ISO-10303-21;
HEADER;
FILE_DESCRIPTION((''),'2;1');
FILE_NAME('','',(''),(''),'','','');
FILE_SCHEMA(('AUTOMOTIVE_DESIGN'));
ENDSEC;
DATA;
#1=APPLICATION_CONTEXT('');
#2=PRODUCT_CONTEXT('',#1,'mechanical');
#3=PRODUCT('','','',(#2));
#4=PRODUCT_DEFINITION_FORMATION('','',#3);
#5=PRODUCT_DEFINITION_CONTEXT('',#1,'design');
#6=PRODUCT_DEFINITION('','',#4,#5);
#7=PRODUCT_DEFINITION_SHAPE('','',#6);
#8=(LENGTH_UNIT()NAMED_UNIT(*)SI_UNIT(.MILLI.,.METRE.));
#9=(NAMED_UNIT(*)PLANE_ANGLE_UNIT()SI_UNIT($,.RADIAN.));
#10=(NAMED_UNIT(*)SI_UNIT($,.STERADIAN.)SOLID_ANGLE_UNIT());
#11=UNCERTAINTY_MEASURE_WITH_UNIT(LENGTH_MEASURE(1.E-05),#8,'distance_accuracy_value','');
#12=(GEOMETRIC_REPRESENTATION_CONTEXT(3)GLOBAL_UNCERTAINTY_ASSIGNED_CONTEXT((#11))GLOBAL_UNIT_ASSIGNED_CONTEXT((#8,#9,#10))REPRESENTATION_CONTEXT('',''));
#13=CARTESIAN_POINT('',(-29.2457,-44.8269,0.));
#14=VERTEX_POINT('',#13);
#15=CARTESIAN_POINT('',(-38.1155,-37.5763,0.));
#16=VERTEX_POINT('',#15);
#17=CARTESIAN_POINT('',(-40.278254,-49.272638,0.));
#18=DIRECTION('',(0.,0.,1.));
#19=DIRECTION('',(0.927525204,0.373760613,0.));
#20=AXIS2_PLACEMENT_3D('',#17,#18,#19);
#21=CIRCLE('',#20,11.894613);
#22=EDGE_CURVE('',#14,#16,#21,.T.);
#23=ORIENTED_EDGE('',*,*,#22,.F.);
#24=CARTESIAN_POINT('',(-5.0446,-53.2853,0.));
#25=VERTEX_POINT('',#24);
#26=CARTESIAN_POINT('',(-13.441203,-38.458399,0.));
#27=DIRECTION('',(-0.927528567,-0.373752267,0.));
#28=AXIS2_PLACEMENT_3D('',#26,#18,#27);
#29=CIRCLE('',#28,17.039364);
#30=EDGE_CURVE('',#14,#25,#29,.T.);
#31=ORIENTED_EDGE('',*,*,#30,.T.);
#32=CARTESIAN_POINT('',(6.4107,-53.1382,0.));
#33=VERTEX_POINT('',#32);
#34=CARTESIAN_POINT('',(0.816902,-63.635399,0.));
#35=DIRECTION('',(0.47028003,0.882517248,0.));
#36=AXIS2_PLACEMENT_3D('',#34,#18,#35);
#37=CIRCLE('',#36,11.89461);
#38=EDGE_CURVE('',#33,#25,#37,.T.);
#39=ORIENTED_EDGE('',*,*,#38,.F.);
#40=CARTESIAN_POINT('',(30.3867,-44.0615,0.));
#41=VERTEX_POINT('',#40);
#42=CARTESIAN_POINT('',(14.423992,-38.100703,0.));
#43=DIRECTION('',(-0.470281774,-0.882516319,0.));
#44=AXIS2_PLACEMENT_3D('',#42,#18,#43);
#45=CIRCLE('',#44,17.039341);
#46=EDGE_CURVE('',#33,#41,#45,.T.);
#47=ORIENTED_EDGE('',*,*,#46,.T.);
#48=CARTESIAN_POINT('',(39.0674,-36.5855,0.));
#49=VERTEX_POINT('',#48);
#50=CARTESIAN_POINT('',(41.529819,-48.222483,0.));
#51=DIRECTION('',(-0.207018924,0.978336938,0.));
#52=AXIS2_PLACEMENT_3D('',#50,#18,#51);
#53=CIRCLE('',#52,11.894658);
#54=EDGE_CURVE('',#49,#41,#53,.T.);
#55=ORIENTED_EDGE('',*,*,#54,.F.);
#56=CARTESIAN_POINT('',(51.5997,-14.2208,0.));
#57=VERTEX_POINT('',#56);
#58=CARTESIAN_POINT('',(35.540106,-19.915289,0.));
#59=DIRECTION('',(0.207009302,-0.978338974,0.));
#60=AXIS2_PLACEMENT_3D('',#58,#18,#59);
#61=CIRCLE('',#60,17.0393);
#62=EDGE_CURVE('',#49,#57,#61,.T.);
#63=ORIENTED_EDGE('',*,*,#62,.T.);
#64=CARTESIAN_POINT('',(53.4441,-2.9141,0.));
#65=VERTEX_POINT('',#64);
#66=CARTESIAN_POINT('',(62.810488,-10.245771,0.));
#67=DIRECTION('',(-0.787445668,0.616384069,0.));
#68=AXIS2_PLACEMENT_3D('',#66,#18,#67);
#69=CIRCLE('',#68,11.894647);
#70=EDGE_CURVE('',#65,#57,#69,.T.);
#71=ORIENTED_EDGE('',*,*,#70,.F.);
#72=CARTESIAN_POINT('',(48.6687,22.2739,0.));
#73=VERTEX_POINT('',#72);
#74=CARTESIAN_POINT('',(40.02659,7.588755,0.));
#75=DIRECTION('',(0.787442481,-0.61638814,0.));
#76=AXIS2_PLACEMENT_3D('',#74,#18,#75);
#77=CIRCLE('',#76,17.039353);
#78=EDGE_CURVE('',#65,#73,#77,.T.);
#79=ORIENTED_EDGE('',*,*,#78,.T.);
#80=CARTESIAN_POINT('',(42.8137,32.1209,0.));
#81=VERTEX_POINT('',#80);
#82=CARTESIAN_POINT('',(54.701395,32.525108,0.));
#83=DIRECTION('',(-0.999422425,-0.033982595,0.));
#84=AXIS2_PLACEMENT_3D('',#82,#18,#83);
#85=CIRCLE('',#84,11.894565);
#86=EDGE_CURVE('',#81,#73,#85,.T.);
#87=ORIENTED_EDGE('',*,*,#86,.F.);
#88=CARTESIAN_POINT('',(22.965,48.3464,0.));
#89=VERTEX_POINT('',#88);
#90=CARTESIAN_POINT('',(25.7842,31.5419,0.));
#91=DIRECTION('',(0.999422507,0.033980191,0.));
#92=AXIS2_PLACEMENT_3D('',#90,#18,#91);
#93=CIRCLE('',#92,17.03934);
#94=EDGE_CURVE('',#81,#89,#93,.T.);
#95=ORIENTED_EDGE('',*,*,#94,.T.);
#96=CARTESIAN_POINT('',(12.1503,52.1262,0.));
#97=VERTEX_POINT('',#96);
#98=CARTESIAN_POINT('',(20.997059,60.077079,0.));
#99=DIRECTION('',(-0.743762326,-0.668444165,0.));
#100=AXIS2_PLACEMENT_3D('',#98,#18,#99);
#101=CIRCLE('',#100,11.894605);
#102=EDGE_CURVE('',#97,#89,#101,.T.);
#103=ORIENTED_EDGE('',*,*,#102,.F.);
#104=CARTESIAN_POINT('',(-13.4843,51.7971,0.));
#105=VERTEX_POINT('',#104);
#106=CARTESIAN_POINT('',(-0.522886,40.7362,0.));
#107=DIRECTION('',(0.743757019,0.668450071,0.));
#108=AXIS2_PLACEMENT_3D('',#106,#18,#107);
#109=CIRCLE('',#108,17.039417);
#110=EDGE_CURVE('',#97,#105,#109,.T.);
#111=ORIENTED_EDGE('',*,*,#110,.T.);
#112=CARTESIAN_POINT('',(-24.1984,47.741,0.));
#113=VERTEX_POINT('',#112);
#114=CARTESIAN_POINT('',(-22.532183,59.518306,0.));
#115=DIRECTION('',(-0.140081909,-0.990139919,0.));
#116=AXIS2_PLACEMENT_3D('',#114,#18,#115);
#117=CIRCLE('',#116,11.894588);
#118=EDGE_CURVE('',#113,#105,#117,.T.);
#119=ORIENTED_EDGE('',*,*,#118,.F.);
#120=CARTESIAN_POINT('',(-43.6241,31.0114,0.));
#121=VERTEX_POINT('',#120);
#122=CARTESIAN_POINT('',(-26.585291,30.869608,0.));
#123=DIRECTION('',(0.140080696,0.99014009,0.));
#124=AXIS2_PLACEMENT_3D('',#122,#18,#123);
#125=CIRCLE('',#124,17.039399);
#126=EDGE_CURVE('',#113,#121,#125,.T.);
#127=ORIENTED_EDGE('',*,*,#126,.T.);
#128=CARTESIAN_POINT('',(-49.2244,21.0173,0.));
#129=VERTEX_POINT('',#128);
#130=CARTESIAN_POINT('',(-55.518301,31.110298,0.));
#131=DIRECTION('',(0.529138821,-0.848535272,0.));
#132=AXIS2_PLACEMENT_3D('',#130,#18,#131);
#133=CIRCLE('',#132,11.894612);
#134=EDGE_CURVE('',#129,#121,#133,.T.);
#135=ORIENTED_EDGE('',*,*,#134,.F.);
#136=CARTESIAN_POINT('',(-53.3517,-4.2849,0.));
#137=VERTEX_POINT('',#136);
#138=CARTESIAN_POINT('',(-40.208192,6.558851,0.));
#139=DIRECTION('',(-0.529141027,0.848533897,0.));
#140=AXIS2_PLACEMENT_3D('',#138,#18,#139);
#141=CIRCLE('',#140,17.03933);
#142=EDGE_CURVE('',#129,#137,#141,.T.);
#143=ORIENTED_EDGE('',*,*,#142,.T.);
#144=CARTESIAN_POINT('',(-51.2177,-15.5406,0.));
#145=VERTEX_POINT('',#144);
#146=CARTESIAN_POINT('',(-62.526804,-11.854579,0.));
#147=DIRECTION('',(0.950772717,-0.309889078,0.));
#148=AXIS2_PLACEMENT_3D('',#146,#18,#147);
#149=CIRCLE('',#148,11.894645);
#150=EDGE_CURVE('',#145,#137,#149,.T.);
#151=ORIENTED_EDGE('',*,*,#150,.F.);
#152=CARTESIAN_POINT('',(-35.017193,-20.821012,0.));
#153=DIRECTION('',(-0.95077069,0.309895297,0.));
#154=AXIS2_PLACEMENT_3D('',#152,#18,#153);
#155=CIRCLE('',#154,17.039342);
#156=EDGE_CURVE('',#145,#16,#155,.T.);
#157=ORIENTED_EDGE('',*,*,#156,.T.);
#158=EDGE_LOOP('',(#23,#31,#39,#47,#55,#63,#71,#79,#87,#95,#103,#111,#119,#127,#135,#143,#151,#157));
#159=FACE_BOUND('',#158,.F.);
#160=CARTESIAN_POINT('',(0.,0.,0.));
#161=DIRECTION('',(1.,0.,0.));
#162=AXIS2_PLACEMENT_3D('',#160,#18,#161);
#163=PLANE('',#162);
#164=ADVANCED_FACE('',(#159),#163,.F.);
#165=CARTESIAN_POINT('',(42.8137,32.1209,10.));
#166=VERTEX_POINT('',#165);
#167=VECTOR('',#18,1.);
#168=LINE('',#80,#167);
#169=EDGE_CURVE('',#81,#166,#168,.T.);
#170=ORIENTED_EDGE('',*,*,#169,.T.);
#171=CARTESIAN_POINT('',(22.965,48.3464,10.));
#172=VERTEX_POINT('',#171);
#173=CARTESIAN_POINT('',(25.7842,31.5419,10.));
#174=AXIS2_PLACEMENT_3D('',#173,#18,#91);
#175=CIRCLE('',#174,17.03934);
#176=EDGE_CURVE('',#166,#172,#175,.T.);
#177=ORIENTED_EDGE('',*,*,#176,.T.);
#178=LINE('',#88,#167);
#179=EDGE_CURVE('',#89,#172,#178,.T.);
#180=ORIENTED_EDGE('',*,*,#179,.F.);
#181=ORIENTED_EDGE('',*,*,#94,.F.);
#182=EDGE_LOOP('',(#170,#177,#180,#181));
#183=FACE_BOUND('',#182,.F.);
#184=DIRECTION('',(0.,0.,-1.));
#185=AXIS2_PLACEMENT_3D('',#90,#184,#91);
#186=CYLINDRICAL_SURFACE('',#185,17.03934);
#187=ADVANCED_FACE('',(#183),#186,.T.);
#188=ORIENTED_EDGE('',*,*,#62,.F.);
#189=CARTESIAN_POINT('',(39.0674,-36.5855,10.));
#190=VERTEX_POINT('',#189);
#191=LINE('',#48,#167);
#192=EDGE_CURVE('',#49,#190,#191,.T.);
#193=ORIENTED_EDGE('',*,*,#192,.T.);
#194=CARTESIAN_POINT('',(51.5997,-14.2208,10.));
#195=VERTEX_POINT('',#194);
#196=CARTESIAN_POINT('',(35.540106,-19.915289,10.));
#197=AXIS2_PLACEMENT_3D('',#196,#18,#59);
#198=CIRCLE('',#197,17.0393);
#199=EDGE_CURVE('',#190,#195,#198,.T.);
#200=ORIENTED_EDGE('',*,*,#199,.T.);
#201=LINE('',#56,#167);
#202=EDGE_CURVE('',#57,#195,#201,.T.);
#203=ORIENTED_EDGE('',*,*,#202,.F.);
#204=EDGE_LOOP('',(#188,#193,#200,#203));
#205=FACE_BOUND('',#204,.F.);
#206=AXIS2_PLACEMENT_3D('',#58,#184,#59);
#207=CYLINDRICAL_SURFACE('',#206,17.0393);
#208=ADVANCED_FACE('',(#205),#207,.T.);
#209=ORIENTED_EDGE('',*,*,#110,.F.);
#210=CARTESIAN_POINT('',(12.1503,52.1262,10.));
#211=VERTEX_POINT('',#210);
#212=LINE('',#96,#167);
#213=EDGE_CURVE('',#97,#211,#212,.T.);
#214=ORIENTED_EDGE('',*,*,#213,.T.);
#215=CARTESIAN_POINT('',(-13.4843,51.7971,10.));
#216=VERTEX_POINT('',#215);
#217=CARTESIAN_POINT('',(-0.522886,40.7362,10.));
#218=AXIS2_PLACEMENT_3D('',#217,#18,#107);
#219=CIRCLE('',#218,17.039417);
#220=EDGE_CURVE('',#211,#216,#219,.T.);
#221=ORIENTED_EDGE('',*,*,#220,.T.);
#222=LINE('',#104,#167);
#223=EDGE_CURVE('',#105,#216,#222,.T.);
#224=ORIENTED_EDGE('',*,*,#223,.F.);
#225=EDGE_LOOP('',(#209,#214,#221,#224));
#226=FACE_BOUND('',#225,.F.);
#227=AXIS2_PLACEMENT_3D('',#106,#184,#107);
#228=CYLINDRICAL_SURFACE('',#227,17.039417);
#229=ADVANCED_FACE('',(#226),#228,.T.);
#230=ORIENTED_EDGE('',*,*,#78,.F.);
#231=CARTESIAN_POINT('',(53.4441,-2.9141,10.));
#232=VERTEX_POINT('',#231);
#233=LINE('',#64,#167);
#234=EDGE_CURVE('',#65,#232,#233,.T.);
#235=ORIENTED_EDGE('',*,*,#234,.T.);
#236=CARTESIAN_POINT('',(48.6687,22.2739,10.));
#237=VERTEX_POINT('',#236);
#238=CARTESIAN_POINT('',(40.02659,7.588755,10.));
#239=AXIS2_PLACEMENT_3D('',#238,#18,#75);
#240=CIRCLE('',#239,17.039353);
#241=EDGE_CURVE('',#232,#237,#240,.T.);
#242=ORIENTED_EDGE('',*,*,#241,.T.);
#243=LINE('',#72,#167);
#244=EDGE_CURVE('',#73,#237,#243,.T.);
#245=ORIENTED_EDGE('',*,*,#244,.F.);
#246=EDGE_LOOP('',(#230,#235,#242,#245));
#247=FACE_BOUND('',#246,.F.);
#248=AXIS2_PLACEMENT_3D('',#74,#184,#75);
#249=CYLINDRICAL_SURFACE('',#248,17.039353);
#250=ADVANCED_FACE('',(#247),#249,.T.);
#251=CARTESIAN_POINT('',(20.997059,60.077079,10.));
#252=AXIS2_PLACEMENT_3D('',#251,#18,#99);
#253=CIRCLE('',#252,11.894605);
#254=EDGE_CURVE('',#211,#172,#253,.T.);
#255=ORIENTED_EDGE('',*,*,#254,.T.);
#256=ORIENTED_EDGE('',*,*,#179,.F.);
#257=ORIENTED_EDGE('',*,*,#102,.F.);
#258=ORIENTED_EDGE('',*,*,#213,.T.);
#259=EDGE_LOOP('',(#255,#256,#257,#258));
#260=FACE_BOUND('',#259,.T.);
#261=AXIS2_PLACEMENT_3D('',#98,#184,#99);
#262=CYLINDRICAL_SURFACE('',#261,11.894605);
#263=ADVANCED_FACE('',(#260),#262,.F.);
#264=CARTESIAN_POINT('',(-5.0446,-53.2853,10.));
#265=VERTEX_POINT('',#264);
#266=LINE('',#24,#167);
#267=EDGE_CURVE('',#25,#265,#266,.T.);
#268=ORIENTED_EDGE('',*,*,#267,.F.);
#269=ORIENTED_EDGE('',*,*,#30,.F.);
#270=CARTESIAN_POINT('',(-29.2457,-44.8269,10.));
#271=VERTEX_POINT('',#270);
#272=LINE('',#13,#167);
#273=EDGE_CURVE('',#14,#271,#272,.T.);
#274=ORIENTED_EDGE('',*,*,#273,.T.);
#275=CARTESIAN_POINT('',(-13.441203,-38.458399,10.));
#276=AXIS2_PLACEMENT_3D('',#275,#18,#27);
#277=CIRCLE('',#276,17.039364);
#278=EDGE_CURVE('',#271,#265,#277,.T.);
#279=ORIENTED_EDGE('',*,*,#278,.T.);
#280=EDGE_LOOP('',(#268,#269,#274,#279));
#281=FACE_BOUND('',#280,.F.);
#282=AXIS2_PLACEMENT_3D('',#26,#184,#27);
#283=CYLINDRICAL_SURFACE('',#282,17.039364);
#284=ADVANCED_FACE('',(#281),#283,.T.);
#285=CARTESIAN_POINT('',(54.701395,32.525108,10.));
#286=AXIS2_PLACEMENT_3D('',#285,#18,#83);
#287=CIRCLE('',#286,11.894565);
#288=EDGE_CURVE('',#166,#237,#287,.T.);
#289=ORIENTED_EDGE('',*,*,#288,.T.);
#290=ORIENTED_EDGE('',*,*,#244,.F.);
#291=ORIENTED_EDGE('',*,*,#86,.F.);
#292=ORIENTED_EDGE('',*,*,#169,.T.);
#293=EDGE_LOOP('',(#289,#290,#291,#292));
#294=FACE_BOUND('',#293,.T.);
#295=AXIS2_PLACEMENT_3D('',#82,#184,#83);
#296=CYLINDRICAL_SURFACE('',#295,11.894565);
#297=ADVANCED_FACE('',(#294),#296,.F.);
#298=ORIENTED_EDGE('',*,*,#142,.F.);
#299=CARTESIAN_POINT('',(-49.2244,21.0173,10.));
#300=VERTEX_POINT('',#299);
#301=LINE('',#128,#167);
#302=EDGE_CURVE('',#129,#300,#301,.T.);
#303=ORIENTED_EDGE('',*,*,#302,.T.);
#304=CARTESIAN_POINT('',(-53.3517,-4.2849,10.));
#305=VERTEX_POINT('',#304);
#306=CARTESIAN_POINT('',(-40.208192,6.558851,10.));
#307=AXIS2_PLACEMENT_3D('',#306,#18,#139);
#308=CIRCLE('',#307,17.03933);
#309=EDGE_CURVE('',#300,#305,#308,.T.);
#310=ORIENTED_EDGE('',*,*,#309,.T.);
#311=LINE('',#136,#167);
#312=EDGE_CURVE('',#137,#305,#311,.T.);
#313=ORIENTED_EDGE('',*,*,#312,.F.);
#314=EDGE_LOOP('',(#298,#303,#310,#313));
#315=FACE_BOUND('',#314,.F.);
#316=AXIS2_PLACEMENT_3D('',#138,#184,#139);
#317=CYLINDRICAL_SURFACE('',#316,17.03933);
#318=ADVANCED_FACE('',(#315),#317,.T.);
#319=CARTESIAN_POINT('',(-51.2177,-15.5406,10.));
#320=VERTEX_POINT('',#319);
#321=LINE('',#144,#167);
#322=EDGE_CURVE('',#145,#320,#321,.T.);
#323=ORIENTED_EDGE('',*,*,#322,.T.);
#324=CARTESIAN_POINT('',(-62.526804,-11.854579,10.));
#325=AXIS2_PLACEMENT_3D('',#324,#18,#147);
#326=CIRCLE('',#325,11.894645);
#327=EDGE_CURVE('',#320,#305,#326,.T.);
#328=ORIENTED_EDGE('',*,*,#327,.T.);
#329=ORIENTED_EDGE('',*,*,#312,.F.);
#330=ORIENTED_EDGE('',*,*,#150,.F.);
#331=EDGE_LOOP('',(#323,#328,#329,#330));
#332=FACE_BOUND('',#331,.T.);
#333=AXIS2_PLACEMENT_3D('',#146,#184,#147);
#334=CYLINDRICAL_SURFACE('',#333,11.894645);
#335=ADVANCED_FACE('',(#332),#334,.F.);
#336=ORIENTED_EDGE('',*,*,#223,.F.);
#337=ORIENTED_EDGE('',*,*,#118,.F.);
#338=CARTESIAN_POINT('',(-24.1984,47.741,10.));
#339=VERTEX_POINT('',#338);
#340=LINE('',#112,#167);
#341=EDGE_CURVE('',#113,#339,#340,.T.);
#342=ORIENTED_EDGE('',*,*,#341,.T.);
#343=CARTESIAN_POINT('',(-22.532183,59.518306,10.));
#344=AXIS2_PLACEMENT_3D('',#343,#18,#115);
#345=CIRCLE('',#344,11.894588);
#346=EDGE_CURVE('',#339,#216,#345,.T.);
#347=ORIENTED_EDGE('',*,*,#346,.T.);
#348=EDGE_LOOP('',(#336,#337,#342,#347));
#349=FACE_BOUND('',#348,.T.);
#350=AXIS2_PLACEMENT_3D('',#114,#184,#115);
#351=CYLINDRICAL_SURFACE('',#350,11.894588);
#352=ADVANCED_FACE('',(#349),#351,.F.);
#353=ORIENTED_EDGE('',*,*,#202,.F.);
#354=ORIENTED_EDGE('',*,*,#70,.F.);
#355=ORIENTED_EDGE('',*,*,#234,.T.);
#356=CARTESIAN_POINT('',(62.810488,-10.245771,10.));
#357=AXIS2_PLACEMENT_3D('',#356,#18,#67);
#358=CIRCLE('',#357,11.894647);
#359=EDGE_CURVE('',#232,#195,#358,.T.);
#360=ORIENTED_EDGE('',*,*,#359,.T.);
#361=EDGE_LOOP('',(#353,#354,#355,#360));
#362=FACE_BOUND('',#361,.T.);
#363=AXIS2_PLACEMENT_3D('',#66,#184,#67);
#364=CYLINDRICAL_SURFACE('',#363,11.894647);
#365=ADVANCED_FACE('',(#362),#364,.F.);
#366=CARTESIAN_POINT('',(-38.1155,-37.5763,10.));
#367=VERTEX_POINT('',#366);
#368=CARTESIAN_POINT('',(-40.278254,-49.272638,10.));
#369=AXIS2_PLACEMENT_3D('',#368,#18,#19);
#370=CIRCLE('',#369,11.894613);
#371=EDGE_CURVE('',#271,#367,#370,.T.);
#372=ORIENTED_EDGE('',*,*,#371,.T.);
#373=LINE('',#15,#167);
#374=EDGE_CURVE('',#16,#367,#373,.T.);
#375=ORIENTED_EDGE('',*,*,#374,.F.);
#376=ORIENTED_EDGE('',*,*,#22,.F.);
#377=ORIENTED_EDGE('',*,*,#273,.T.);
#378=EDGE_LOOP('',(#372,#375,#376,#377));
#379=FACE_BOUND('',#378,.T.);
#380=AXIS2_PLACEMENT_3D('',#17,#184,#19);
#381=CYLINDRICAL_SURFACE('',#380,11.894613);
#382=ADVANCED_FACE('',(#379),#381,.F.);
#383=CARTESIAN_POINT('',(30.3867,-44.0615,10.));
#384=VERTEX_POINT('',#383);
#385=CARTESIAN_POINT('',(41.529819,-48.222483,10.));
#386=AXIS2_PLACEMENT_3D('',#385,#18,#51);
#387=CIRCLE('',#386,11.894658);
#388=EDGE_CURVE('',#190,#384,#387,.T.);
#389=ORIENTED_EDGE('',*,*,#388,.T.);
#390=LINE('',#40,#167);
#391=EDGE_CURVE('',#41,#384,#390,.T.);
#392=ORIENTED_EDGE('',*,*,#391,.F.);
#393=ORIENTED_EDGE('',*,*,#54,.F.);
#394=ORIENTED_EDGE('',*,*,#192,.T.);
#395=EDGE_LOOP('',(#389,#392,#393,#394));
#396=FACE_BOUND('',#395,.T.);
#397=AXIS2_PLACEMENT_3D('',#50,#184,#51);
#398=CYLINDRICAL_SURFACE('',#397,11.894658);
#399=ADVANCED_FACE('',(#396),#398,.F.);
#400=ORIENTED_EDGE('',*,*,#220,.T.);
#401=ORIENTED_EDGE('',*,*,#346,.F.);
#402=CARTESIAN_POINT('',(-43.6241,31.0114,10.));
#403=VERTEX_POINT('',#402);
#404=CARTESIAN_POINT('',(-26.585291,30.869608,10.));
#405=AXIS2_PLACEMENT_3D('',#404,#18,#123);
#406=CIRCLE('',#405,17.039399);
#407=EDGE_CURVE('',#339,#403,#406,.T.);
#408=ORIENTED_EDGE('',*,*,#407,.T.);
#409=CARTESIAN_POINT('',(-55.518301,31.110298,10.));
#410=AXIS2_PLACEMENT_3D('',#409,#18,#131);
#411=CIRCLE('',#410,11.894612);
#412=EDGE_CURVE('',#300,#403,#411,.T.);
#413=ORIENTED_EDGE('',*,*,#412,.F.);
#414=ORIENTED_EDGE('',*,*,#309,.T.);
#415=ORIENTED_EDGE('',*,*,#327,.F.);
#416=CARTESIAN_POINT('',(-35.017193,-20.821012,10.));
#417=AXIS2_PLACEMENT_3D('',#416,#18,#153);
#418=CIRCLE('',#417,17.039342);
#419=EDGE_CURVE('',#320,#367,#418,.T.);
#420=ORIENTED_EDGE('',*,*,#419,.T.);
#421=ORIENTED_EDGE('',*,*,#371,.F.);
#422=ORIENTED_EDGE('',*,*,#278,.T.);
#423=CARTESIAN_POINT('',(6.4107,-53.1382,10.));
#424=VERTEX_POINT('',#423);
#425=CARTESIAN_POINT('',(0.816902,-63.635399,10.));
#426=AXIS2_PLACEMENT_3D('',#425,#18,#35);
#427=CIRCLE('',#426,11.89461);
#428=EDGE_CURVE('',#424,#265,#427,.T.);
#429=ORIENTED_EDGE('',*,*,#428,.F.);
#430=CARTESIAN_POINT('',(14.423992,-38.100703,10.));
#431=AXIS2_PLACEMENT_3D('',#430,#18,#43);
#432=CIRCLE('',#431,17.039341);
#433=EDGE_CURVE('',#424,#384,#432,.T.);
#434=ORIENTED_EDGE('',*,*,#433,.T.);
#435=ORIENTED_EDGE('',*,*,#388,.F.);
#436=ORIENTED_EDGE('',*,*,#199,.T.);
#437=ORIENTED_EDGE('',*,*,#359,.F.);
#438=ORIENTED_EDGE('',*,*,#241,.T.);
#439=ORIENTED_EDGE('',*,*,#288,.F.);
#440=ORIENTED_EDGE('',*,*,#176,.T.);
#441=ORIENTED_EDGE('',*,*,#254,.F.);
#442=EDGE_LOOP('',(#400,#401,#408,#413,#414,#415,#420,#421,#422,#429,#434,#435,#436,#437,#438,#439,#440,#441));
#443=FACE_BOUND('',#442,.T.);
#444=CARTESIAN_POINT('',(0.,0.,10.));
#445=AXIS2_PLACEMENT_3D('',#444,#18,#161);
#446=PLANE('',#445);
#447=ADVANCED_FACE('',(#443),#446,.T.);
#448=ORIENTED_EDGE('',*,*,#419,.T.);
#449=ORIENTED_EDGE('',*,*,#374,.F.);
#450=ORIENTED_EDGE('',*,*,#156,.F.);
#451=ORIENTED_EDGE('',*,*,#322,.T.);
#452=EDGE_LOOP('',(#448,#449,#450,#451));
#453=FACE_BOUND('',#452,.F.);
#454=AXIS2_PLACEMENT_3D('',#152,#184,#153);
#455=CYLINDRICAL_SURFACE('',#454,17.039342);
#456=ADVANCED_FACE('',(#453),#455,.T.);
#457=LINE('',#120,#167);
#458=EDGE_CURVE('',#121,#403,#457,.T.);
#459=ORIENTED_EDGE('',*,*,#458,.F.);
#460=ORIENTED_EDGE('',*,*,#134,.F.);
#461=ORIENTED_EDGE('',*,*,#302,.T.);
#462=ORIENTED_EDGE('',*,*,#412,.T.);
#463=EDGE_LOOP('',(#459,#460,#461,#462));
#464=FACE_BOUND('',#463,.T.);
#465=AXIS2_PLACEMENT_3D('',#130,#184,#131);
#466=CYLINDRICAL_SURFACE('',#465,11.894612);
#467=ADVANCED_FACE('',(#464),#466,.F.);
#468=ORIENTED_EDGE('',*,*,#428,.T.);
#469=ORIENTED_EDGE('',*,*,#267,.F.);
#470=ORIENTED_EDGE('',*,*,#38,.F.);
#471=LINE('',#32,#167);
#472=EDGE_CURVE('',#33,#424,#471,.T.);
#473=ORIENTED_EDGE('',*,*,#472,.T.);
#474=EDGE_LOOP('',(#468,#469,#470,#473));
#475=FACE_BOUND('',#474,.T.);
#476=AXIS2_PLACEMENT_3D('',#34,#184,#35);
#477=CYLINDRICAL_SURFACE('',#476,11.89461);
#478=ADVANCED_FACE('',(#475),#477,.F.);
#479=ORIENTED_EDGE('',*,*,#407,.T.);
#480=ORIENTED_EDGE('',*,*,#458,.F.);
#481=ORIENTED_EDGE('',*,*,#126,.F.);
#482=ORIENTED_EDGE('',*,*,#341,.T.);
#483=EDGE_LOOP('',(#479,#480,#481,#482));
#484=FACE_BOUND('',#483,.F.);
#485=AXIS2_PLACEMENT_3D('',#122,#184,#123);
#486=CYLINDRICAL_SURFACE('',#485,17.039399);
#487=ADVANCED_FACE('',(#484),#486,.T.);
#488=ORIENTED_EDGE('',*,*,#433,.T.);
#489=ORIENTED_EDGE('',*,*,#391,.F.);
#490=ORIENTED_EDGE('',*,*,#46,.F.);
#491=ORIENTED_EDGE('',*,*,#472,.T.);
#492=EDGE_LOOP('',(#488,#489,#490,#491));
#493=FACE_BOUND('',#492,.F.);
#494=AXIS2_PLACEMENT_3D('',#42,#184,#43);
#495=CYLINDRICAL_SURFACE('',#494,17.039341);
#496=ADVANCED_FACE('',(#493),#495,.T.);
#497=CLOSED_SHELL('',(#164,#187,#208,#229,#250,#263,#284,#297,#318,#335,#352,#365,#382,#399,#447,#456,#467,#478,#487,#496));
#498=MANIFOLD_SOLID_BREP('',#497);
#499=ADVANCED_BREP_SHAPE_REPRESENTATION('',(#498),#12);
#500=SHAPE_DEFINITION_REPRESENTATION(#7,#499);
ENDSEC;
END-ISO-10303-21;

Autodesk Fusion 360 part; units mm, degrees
sketch "Sketch3" plane through (0, 0, 0) normal (0, 0, 1) x (1, 0, 0)
  arc A0 (12.1503, 52.1262) -> (-13.4843, 51.7971) centre (-0.5229, 40.7362) ccw
  arc A1 (42.8137, 32.1209) -> (22.965, 48.3464) centre (25.7842, 31.5419) ccw
  arc A2 (53.4441, -2.9141) -> (48.6687, 22.2739) centre (40.0266, 7.5887) ccw
  arc A3 (39.0674, -36.5855) -> (51.5997, -14.2208) centre (35.5401, -19.9153) ccw
  arc A4 (6.4107, -53.1382) -> (30.3867, -44.0615) centre (14.424, -38.1007) ccw
  arc A5 (-29.2457, -44.8269) -> (-5.0446, -53.2853) centre (-13.4412, -38.4584) ccw
  arc A6 (-51.2177, -15.5406) -> (-38.1155, -37.5763) centre (-35.0172, -20.821) ccw
  arc A7 (-24.1984, 47.741) -> (-43.6241, 31.0114) centre (-26.5853, 30.8696) ccw
  arc A8 (-49.2244, 21.0173) -> (-53.3517, -4.2849) centre (-40.2082, 6.5588) ccw
  arc A9 (-49.2244, 21.0173) -> (-43.6241, 31.0114) centre (-55.5183, 31.1103) ccw
  arc A10 (-24.1984, 47.741) -> (-13.4843, 51.7971) centre (-22.5322, 59.5183) ccw
  arc A11 (12.1503, 52.1262) -> (22.965, 48.3464) centre (20.997, 60.0771) ccw
  arc A12 (42.8137, 32.1209) -> (48.6687, 22.2739) centre (54.7014, 32.5251) ccw
  arc A13 (53.4441, -2.9141) -> (51.5997, -14.2208) centre (62.8105, -10.2457) ccw
  arc A14 (39.0674, -36.5855) -> (30.3867, -44.0615) centre (41.5298, -48.2225) ccw
  arc A15 (6.4107, -53.1382) -> (-5.0446, -53.2853) centre (0.8168, -63.6354) ccw
  arc A16 (-29.2457, -44.8269) -> (-38.1155, -37.5763) centre (-40.2783, -49.2726) ccw
  arc A17 (-51.2177, -15.5406) -> (-53.3517, -4.2849) centre (-62.5268, -11.8546) ccw
  dimension "d14" = 11.8946
extrude "Extrude1" add sketch "Sketch3" along normal blind 10
